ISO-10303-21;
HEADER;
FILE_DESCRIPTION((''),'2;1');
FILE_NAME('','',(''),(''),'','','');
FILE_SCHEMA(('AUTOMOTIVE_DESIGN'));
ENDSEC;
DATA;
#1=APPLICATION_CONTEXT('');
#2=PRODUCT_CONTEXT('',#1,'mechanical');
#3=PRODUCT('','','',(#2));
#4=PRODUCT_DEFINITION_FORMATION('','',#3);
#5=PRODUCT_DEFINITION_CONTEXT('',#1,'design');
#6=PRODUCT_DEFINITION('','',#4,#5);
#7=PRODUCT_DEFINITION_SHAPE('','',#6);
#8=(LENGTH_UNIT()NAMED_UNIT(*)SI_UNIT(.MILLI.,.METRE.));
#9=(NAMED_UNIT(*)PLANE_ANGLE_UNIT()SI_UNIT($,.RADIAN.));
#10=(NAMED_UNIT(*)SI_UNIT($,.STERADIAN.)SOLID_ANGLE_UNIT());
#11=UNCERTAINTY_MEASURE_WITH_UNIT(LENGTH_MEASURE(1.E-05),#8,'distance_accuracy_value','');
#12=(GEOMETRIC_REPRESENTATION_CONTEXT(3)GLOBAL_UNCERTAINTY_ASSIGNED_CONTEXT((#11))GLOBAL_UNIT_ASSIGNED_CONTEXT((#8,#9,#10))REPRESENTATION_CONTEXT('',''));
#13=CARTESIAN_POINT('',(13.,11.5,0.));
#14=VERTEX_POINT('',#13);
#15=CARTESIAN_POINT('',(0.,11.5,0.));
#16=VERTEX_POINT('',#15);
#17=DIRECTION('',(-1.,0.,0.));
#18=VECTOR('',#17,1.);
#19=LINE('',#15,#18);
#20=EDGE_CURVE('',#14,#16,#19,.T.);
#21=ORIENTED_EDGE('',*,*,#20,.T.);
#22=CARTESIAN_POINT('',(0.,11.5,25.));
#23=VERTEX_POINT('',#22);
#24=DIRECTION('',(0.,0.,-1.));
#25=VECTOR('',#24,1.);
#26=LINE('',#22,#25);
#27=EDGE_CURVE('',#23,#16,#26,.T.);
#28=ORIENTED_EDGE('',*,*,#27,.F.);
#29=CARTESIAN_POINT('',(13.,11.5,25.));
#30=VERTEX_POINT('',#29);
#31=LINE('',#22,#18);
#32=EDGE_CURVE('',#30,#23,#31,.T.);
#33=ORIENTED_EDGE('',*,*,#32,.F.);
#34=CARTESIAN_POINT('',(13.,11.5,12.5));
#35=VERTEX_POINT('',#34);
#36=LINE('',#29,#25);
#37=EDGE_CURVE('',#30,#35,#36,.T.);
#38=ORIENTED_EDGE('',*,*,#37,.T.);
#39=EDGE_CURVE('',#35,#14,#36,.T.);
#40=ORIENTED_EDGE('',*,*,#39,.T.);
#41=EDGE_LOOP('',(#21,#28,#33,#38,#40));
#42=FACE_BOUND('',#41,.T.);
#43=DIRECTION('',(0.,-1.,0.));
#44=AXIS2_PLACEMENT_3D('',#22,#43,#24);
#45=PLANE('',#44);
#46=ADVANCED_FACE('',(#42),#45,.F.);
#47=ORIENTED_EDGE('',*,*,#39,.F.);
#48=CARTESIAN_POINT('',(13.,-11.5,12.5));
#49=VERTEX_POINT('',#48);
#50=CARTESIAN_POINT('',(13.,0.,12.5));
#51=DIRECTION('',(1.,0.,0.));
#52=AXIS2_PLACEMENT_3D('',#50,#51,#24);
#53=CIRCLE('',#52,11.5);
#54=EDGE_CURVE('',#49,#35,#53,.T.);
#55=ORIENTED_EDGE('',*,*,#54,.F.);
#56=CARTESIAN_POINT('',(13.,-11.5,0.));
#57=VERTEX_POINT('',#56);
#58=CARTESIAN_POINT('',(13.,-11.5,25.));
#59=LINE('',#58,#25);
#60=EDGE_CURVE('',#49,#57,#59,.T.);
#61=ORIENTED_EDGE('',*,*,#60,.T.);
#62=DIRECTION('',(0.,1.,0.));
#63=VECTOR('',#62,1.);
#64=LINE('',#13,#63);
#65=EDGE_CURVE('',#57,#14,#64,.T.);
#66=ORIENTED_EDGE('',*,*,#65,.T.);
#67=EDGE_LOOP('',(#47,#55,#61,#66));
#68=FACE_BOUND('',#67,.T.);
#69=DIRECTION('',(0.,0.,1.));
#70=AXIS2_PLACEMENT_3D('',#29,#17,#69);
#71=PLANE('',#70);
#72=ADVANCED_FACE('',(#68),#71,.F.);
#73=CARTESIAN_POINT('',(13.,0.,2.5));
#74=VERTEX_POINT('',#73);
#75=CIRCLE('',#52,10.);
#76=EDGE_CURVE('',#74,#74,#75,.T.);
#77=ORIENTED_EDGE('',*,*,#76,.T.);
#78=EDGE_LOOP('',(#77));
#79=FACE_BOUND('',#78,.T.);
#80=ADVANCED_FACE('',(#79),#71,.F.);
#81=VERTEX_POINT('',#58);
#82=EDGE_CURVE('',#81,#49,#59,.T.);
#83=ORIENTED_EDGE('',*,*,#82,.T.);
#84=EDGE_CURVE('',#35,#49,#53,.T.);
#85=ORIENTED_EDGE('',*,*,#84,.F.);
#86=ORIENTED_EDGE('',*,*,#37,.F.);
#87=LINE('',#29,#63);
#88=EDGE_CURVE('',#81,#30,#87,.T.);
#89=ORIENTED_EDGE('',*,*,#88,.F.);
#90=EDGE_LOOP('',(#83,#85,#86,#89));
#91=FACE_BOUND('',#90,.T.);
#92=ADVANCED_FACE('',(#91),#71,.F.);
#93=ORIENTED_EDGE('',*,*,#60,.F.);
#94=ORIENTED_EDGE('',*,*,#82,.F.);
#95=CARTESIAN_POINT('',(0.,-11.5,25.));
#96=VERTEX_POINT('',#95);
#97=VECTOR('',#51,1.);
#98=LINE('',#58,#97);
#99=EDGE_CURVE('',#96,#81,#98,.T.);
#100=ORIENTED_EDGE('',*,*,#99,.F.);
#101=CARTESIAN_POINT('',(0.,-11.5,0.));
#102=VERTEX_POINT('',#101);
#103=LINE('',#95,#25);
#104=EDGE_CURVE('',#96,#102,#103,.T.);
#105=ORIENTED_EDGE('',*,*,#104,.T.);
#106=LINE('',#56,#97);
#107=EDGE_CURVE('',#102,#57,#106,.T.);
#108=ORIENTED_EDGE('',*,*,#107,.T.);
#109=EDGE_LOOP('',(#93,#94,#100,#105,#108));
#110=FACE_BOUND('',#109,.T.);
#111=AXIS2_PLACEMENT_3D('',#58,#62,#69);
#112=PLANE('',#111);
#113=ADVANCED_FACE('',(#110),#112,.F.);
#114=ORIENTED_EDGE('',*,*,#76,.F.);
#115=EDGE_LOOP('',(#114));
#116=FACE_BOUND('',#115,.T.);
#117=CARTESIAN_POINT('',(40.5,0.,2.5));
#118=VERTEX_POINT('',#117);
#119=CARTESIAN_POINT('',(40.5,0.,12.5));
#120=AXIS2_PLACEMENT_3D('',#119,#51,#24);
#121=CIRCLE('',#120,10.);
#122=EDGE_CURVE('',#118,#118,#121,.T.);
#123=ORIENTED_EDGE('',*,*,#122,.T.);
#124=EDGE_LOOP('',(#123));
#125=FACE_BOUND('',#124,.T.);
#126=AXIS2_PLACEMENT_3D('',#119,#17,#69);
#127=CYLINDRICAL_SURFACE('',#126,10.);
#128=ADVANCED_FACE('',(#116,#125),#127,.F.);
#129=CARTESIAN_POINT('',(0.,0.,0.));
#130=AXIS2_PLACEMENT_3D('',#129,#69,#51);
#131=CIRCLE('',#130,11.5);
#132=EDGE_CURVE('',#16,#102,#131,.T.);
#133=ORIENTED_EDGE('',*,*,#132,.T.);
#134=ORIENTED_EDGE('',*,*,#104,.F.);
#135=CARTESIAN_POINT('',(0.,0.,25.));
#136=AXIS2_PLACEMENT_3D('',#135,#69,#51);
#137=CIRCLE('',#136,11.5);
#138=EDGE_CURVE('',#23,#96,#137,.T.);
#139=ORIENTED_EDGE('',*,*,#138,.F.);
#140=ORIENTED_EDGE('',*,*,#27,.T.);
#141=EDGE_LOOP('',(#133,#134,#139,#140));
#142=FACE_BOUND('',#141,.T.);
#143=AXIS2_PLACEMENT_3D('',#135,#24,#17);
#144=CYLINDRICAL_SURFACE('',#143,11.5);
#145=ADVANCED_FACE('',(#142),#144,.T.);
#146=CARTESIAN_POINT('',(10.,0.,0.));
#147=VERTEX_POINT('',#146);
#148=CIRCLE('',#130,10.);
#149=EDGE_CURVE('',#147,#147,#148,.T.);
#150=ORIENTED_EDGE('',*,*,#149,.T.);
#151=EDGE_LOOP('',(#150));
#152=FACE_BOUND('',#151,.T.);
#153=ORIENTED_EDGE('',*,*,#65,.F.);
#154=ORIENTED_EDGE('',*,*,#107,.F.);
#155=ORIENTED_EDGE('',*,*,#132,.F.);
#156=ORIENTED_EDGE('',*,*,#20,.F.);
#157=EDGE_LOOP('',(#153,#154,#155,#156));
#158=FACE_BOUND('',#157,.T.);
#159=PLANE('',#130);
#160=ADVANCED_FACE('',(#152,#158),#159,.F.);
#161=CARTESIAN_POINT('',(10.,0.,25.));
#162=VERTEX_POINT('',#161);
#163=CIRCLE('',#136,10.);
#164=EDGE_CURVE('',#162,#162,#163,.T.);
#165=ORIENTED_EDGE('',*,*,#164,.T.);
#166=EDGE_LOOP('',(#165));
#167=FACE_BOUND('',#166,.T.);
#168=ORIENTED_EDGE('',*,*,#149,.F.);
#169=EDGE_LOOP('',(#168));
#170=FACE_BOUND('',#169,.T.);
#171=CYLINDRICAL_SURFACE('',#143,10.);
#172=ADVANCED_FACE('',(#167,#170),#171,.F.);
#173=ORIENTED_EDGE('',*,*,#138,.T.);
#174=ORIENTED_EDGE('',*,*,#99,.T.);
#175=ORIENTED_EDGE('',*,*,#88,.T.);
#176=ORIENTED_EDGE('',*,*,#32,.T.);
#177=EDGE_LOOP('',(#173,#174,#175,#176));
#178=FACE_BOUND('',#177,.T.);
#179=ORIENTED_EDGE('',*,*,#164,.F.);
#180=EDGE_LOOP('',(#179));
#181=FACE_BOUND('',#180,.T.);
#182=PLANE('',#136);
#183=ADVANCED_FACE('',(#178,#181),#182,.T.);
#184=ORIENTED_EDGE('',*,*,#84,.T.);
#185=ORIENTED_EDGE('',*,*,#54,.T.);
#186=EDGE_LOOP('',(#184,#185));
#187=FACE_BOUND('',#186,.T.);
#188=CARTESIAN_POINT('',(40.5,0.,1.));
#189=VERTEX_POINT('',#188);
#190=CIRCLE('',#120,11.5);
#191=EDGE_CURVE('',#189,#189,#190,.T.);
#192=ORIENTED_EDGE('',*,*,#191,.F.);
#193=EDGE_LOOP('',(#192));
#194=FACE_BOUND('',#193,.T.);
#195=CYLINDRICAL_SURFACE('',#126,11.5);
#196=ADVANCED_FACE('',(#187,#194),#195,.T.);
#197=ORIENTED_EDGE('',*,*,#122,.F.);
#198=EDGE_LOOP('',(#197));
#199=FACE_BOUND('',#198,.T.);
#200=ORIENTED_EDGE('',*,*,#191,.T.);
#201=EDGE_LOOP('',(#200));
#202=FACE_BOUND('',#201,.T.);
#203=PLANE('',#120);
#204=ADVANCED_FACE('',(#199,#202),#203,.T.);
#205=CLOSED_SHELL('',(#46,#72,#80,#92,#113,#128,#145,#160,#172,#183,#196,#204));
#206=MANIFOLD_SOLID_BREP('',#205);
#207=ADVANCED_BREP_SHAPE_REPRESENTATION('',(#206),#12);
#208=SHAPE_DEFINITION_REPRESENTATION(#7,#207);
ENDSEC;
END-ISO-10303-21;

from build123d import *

# Parameters (mm, degrees)
SZKIC1_R                    = 10
DODANIE_WYCI_GNI_CIE1_DEPTH = 25
SZKIC2_R                    = 11.5
SZKIC2_R_2                  = 10
DODANIE_WYCI_GNI_CIE2_DEPTH = 27.5


with BuildPart() as part:
    # Szkic1 → Dodanie-wyciągnięcie1 (new body)
    with BuildSketch(Plane.XY):
        with BuildLine():
            Line((0, 11.5), (13, 11.5))
            Line((13, 11.5), (13, -11.5))
            Line((13, -11.5), (0, -11.5))
            ThreePointArc((0, -11.5), (-11.5, 0), (0, 11.5))
        make_face()
        Circle(SZKIC1_R, mode=Mode.SUBTRACT)
    extrude(amount=DODANIE_WYCI_GNI_CIE1_DEPTH)

    # Szkic2 → Dodanie-wyciągnięcie2 (add)
    with BuildSketch(Plane(origin=(13, 0, 0), x_dir=(0, 0, -1), z_dir=(1, 0, 0))):
        with Locations(Location((-12.5, 0, 0), (0, 0, 270))):
            Circle(SZKIC2_R)
        with Locations((-12.5, 0)):
            Circle(SZKIC2_R_2, mode=Mode.SUBTRACT)
    extrude(amount=DODANIE_WYCI_GNI_CIE2_DEPTH)


solid = part.part
